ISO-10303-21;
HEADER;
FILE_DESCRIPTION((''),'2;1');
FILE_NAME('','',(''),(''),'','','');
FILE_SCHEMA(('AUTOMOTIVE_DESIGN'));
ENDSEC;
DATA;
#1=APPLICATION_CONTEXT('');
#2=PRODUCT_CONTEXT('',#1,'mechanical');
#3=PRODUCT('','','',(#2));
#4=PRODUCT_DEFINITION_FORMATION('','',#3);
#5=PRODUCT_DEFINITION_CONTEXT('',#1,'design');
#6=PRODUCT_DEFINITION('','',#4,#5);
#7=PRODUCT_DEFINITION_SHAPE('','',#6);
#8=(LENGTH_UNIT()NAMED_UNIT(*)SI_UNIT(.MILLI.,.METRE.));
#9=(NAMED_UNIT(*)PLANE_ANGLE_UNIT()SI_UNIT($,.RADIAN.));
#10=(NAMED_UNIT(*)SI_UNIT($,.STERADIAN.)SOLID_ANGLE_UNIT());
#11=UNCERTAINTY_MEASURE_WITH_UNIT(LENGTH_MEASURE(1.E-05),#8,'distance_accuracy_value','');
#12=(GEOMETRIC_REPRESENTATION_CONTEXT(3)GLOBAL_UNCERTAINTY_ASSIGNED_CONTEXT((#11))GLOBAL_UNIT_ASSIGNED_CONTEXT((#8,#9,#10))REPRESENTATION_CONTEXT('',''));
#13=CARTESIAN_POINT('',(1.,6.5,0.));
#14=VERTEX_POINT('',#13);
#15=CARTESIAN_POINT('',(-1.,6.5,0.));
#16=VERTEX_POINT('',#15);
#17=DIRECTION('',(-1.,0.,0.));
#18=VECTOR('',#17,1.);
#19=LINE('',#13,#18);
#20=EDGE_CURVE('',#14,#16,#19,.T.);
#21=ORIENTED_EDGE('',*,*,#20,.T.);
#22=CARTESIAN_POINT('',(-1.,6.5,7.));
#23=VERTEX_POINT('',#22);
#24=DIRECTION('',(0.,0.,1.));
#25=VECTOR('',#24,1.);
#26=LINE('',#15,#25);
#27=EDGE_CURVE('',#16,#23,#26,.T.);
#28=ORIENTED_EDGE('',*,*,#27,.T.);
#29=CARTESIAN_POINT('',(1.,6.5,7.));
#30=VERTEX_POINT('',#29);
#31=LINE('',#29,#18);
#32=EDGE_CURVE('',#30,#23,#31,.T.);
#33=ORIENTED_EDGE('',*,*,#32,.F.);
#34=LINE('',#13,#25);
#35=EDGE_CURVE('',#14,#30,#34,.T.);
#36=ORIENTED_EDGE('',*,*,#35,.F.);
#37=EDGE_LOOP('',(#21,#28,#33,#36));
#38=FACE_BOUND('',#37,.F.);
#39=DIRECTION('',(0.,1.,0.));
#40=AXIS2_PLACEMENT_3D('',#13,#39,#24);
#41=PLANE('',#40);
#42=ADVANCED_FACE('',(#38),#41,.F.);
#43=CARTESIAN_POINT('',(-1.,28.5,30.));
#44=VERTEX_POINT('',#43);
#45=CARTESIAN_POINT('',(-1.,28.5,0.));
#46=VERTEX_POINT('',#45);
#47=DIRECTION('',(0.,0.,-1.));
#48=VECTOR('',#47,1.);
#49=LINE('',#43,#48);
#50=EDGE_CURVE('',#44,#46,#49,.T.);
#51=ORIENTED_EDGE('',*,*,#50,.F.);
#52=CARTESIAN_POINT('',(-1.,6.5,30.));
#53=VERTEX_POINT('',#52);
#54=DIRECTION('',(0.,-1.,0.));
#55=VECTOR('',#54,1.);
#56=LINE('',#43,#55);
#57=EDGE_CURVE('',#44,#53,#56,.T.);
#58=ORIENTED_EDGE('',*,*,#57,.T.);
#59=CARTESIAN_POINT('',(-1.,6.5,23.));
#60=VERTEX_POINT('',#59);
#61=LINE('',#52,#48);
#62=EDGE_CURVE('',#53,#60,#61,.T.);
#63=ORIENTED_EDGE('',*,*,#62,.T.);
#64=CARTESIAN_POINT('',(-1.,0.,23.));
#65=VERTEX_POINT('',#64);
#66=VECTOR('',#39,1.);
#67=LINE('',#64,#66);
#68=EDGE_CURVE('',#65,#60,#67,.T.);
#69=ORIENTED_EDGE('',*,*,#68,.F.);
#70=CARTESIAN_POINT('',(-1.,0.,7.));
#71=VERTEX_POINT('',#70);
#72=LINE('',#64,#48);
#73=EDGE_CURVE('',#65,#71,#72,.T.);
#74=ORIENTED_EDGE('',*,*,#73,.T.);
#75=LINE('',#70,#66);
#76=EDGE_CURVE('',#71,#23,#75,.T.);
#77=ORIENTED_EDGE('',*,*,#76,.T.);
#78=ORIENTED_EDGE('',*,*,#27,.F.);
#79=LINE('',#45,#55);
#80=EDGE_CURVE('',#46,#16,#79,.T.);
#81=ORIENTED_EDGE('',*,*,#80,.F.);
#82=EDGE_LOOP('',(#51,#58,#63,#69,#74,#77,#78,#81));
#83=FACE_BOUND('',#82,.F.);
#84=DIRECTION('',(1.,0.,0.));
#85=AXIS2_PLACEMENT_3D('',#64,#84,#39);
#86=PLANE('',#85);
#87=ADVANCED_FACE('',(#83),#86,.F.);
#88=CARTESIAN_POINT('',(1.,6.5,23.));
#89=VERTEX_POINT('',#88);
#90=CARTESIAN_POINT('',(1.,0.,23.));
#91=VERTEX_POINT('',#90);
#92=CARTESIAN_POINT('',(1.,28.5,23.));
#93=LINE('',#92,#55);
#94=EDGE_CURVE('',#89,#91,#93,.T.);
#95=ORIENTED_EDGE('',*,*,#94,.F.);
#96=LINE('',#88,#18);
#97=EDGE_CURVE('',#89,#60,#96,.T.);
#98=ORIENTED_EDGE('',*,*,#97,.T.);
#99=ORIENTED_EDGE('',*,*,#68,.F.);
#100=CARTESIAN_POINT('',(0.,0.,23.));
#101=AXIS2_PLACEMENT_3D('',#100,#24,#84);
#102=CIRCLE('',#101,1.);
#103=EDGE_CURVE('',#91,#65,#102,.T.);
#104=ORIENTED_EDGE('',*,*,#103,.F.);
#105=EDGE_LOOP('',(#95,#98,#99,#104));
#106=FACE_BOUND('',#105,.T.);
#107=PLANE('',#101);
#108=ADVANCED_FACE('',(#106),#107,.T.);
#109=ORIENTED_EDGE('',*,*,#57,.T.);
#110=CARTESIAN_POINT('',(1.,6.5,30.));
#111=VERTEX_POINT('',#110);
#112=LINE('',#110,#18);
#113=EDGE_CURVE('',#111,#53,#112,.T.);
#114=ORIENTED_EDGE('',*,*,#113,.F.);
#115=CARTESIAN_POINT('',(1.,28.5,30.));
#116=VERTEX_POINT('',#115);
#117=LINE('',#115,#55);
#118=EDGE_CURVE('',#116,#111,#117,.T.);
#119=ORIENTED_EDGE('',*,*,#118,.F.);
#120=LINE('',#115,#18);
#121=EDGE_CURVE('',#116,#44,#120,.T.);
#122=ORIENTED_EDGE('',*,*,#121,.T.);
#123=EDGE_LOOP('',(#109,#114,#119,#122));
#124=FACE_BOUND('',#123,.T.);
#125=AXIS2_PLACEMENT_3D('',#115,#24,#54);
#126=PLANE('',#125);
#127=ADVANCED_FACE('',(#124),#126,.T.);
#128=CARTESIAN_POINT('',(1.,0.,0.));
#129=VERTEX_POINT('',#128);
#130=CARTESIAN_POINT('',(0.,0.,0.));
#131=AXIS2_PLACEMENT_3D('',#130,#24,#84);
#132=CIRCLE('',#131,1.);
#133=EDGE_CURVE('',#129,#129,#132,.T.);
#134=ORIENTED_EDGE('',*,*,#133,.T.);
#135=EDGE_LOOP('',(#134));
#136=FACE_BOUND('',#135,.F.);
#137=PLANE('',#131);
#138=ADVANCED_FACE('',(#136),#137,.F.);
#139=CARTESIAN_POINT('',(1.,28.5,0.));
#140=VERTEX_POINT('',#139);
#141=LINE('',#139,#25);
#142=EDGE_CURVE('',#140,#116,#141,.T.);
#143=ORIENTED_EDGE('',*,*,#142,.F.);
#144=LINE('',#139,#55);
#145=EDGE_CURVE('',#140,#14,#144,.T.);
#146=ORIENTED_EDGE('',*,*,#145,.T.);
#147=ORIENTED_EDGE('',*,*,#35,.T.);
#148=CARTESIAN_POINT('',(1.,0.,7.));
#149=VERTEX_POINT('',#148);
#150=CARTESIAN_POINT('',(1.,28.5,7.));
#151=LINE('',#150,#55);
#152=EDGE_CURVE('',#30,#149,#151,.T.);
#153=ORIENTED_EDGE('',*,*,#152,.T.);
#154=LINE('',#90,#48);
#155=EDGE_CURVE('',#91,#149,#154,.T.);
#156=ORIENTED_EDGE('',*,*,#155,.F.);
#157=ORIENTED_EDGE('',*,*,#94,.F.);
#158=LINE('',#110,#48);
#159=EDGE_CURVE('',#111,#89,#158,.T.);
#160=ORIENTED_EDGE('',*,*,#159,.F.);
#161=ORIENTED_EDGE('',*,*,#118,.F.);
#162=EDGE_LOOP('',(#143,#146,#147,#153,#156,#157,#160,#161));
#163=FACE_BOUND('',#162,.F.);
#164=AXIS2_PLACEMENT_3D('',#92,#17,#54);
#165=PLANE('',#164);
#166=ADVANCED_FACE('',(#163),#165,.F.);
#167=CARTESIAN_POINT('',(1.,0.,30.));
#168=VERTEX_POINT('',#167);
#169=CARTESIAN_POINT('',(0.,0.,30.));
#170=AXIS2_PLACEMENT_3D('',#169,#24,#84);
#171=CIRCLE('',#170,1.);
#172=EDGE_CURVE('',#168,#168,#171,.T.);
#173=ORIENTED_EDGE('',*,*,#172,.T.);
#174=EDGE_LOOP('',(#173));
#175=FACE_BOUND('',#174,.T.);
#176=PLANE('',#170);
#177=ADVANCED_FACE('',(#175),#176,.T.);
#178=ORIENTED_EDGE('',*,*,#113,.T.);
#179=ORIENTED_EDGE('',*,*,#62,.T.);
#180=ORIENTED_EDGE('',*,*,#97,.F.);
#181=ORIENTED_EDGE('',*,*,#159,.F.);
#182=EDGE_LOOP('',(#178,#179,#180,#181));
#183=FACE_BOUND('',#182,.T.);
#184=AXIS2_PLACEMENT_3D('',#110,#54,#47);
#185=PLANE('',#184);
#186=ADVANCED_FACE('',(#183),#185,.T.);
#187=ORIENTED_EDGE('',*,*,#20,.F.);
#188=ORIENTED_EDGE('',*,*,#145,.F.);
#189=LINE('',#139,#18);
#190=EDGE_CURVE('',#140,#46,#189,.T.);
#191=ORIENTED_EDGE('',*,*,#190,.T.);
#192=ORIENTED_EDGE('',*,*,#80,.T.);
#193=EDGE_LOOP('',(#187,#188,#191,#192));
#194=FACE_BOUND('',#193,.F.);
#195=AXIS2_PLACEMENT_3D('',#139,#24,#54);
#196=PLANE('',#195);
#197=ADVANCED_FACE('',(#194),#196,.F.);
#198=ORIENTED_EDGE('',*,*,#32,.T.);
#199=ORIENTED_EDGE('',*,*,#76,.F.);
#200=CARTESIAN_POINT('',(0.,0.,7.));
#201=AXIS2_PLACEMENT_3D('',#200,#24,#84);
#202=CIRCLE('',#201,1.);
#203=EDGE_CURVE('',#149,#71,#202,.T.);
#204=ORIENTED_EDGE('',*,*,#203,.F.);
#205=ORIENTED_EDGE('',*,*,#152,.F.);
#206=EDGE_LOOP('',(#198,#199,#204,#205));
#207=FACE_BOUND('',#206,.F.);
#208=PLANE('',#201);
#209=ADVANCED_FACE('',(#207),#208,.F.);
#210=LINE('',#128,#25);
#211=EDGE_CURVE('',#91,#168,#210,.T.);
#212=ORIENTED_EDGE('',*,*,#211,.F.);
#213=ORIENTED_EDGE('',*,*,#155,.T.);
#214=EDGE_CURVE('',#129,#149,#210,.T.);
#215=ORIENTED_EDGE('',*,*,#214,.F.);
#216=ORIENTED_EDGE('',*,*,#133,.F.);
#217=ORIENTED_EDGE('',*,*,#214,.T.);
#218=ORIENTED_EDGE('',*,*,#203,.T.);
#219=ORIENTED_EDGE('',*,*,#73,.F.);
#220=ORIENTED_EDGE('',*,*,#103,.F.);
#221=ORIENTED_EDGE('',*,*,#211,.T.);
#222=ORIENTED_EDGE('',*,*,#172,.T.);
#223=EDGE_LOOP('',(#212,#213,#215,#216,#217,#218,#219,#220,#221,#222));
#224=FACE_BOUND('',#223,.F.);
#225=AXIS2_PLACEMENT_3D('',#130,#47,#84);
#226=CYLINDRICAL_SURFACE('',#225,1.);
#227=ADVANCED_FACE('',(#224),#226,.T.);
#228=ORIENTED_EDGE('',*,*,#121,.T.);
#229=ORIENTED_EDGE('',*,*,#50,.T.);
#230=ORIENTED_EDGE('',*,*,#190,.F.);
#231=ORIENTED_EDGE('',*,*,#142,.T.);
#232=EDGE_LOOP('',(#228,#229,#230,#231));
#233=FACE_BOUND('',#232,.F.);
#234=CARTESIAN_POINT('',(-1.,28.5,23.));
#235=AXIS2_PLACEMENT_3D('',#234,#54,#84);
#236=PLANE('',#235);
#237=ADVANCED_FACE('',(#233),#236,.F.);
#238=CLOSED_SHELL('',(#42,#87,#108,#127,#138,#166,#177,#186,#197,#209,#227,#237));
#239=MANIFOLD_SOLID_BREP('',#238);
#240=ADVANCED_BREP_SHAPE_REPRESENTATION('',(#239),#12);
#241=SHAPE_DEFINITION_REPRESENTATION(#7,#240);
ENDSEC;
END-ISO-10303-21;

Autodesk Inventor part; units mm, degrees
ref_plane "YZ Plane" through (0, 0, 0) normal (1, 0, 0) x (0, 1, 0)
ref_plane "XZ Plane" through (0, 0, 0) normal (0, 1, 0) x (-1, 0, 0)
ref_plane "XY Plane" through (0, 0, 0) normal (0, 0, 1) x (1, 0, 0)
sketch "Sketch1" plane through (0, 0, 0) normal (0, 0, 1) x (1, 0, 0)
  circle A0 centre (0, 0) radius 1
  dimension "d0" = 2
extrude "Extrusion1" add sketch "Sketch1" along normal blind 30
ref_plane "Work Plane1" through (0, 0, 23) normal (0, 0, 1) x (1, 0, 0)
ref_plane "Work Plane2" through (0, 0, 7) normal (0, 0, -1) x (-1, 0, 0)
sketch "Sketch2" plane through (0, 0, 23) normal (0, 0, 1) x (1, 0, 0)
  circle A0 centre (0, 0) radius 1 projected
  line L0 (1, 0) -> (-1, 0)
  line L1 (-1, 0) -> (-1, 28.5)
  line L2 (-1, 28.5) -> (1, 28.5)
  line L3 (1, 28.5) -> (1, 0)
  dimension "d7" = 28.5
extrude "Extrusion2" add sketch "Sketch2" against normal up to surface (16 mm away) contours A0 L1 L2 L3
sketch "Sketch3" plane through (1, 0, 23) normal (1, 0, 0) x (0, 0, -1)
  line L0 (16, 0) -> (16, 28.5) projected
  line L1 (0, 28.5) -> (16, 28.5) projected
  line L2 (0, 0) -> (0, 28.5) projected
  line L3 (16, 0) -> (0, 0) projected
  line L4 (0, 28.5) -> (-7, 28.5)
  line L5 (-7, 28.5) -> (-7, 6.5)
  line L6 (-7, 6.5) -> (0, 6.5)
  line L7 (0, 6.5) -> (0, 28.5)
  line L8 (16, 0) -> (16, 28.5) projected
  line L9 (16, 28.5) -> (23, 28.5)
  line L10 (23, 28.5) -> (23, 6.5)
  line L11 (23, 6.5) -> (16, 6.5)
  line L12 (16, 6.5) -> (16, 28.5)
  line L13 (23, -1) -> (23, 1) projected
  line L14 (-7, 1) -> (-7, -1) projected
  line L15 (16, 0) -> (0, 0) projected
  line L16 (16, 0) -> (16, 0) projected
  line L17 (16, 0) -> (0, 0) projected
  line L18 (0, 0) -> (0, 0) projected
  point P0 (23, 0)
  point P1 (19.5, 6.5)
  point P2 (-3.5, 6.5)
  point P3 (23, 0)
  point P4 (23, 17.5)
  point P5 (-7, 17.5)
  point P6 (-7, 0)
  dimension "d10" = 5.5
extrude "Extrusion3" add sketch "Sketch3" against normal up to surface (2 mm away) contours L0 L9 L10 L11 | L6 L5 L4 L2
properties part number "gpsDoor"
